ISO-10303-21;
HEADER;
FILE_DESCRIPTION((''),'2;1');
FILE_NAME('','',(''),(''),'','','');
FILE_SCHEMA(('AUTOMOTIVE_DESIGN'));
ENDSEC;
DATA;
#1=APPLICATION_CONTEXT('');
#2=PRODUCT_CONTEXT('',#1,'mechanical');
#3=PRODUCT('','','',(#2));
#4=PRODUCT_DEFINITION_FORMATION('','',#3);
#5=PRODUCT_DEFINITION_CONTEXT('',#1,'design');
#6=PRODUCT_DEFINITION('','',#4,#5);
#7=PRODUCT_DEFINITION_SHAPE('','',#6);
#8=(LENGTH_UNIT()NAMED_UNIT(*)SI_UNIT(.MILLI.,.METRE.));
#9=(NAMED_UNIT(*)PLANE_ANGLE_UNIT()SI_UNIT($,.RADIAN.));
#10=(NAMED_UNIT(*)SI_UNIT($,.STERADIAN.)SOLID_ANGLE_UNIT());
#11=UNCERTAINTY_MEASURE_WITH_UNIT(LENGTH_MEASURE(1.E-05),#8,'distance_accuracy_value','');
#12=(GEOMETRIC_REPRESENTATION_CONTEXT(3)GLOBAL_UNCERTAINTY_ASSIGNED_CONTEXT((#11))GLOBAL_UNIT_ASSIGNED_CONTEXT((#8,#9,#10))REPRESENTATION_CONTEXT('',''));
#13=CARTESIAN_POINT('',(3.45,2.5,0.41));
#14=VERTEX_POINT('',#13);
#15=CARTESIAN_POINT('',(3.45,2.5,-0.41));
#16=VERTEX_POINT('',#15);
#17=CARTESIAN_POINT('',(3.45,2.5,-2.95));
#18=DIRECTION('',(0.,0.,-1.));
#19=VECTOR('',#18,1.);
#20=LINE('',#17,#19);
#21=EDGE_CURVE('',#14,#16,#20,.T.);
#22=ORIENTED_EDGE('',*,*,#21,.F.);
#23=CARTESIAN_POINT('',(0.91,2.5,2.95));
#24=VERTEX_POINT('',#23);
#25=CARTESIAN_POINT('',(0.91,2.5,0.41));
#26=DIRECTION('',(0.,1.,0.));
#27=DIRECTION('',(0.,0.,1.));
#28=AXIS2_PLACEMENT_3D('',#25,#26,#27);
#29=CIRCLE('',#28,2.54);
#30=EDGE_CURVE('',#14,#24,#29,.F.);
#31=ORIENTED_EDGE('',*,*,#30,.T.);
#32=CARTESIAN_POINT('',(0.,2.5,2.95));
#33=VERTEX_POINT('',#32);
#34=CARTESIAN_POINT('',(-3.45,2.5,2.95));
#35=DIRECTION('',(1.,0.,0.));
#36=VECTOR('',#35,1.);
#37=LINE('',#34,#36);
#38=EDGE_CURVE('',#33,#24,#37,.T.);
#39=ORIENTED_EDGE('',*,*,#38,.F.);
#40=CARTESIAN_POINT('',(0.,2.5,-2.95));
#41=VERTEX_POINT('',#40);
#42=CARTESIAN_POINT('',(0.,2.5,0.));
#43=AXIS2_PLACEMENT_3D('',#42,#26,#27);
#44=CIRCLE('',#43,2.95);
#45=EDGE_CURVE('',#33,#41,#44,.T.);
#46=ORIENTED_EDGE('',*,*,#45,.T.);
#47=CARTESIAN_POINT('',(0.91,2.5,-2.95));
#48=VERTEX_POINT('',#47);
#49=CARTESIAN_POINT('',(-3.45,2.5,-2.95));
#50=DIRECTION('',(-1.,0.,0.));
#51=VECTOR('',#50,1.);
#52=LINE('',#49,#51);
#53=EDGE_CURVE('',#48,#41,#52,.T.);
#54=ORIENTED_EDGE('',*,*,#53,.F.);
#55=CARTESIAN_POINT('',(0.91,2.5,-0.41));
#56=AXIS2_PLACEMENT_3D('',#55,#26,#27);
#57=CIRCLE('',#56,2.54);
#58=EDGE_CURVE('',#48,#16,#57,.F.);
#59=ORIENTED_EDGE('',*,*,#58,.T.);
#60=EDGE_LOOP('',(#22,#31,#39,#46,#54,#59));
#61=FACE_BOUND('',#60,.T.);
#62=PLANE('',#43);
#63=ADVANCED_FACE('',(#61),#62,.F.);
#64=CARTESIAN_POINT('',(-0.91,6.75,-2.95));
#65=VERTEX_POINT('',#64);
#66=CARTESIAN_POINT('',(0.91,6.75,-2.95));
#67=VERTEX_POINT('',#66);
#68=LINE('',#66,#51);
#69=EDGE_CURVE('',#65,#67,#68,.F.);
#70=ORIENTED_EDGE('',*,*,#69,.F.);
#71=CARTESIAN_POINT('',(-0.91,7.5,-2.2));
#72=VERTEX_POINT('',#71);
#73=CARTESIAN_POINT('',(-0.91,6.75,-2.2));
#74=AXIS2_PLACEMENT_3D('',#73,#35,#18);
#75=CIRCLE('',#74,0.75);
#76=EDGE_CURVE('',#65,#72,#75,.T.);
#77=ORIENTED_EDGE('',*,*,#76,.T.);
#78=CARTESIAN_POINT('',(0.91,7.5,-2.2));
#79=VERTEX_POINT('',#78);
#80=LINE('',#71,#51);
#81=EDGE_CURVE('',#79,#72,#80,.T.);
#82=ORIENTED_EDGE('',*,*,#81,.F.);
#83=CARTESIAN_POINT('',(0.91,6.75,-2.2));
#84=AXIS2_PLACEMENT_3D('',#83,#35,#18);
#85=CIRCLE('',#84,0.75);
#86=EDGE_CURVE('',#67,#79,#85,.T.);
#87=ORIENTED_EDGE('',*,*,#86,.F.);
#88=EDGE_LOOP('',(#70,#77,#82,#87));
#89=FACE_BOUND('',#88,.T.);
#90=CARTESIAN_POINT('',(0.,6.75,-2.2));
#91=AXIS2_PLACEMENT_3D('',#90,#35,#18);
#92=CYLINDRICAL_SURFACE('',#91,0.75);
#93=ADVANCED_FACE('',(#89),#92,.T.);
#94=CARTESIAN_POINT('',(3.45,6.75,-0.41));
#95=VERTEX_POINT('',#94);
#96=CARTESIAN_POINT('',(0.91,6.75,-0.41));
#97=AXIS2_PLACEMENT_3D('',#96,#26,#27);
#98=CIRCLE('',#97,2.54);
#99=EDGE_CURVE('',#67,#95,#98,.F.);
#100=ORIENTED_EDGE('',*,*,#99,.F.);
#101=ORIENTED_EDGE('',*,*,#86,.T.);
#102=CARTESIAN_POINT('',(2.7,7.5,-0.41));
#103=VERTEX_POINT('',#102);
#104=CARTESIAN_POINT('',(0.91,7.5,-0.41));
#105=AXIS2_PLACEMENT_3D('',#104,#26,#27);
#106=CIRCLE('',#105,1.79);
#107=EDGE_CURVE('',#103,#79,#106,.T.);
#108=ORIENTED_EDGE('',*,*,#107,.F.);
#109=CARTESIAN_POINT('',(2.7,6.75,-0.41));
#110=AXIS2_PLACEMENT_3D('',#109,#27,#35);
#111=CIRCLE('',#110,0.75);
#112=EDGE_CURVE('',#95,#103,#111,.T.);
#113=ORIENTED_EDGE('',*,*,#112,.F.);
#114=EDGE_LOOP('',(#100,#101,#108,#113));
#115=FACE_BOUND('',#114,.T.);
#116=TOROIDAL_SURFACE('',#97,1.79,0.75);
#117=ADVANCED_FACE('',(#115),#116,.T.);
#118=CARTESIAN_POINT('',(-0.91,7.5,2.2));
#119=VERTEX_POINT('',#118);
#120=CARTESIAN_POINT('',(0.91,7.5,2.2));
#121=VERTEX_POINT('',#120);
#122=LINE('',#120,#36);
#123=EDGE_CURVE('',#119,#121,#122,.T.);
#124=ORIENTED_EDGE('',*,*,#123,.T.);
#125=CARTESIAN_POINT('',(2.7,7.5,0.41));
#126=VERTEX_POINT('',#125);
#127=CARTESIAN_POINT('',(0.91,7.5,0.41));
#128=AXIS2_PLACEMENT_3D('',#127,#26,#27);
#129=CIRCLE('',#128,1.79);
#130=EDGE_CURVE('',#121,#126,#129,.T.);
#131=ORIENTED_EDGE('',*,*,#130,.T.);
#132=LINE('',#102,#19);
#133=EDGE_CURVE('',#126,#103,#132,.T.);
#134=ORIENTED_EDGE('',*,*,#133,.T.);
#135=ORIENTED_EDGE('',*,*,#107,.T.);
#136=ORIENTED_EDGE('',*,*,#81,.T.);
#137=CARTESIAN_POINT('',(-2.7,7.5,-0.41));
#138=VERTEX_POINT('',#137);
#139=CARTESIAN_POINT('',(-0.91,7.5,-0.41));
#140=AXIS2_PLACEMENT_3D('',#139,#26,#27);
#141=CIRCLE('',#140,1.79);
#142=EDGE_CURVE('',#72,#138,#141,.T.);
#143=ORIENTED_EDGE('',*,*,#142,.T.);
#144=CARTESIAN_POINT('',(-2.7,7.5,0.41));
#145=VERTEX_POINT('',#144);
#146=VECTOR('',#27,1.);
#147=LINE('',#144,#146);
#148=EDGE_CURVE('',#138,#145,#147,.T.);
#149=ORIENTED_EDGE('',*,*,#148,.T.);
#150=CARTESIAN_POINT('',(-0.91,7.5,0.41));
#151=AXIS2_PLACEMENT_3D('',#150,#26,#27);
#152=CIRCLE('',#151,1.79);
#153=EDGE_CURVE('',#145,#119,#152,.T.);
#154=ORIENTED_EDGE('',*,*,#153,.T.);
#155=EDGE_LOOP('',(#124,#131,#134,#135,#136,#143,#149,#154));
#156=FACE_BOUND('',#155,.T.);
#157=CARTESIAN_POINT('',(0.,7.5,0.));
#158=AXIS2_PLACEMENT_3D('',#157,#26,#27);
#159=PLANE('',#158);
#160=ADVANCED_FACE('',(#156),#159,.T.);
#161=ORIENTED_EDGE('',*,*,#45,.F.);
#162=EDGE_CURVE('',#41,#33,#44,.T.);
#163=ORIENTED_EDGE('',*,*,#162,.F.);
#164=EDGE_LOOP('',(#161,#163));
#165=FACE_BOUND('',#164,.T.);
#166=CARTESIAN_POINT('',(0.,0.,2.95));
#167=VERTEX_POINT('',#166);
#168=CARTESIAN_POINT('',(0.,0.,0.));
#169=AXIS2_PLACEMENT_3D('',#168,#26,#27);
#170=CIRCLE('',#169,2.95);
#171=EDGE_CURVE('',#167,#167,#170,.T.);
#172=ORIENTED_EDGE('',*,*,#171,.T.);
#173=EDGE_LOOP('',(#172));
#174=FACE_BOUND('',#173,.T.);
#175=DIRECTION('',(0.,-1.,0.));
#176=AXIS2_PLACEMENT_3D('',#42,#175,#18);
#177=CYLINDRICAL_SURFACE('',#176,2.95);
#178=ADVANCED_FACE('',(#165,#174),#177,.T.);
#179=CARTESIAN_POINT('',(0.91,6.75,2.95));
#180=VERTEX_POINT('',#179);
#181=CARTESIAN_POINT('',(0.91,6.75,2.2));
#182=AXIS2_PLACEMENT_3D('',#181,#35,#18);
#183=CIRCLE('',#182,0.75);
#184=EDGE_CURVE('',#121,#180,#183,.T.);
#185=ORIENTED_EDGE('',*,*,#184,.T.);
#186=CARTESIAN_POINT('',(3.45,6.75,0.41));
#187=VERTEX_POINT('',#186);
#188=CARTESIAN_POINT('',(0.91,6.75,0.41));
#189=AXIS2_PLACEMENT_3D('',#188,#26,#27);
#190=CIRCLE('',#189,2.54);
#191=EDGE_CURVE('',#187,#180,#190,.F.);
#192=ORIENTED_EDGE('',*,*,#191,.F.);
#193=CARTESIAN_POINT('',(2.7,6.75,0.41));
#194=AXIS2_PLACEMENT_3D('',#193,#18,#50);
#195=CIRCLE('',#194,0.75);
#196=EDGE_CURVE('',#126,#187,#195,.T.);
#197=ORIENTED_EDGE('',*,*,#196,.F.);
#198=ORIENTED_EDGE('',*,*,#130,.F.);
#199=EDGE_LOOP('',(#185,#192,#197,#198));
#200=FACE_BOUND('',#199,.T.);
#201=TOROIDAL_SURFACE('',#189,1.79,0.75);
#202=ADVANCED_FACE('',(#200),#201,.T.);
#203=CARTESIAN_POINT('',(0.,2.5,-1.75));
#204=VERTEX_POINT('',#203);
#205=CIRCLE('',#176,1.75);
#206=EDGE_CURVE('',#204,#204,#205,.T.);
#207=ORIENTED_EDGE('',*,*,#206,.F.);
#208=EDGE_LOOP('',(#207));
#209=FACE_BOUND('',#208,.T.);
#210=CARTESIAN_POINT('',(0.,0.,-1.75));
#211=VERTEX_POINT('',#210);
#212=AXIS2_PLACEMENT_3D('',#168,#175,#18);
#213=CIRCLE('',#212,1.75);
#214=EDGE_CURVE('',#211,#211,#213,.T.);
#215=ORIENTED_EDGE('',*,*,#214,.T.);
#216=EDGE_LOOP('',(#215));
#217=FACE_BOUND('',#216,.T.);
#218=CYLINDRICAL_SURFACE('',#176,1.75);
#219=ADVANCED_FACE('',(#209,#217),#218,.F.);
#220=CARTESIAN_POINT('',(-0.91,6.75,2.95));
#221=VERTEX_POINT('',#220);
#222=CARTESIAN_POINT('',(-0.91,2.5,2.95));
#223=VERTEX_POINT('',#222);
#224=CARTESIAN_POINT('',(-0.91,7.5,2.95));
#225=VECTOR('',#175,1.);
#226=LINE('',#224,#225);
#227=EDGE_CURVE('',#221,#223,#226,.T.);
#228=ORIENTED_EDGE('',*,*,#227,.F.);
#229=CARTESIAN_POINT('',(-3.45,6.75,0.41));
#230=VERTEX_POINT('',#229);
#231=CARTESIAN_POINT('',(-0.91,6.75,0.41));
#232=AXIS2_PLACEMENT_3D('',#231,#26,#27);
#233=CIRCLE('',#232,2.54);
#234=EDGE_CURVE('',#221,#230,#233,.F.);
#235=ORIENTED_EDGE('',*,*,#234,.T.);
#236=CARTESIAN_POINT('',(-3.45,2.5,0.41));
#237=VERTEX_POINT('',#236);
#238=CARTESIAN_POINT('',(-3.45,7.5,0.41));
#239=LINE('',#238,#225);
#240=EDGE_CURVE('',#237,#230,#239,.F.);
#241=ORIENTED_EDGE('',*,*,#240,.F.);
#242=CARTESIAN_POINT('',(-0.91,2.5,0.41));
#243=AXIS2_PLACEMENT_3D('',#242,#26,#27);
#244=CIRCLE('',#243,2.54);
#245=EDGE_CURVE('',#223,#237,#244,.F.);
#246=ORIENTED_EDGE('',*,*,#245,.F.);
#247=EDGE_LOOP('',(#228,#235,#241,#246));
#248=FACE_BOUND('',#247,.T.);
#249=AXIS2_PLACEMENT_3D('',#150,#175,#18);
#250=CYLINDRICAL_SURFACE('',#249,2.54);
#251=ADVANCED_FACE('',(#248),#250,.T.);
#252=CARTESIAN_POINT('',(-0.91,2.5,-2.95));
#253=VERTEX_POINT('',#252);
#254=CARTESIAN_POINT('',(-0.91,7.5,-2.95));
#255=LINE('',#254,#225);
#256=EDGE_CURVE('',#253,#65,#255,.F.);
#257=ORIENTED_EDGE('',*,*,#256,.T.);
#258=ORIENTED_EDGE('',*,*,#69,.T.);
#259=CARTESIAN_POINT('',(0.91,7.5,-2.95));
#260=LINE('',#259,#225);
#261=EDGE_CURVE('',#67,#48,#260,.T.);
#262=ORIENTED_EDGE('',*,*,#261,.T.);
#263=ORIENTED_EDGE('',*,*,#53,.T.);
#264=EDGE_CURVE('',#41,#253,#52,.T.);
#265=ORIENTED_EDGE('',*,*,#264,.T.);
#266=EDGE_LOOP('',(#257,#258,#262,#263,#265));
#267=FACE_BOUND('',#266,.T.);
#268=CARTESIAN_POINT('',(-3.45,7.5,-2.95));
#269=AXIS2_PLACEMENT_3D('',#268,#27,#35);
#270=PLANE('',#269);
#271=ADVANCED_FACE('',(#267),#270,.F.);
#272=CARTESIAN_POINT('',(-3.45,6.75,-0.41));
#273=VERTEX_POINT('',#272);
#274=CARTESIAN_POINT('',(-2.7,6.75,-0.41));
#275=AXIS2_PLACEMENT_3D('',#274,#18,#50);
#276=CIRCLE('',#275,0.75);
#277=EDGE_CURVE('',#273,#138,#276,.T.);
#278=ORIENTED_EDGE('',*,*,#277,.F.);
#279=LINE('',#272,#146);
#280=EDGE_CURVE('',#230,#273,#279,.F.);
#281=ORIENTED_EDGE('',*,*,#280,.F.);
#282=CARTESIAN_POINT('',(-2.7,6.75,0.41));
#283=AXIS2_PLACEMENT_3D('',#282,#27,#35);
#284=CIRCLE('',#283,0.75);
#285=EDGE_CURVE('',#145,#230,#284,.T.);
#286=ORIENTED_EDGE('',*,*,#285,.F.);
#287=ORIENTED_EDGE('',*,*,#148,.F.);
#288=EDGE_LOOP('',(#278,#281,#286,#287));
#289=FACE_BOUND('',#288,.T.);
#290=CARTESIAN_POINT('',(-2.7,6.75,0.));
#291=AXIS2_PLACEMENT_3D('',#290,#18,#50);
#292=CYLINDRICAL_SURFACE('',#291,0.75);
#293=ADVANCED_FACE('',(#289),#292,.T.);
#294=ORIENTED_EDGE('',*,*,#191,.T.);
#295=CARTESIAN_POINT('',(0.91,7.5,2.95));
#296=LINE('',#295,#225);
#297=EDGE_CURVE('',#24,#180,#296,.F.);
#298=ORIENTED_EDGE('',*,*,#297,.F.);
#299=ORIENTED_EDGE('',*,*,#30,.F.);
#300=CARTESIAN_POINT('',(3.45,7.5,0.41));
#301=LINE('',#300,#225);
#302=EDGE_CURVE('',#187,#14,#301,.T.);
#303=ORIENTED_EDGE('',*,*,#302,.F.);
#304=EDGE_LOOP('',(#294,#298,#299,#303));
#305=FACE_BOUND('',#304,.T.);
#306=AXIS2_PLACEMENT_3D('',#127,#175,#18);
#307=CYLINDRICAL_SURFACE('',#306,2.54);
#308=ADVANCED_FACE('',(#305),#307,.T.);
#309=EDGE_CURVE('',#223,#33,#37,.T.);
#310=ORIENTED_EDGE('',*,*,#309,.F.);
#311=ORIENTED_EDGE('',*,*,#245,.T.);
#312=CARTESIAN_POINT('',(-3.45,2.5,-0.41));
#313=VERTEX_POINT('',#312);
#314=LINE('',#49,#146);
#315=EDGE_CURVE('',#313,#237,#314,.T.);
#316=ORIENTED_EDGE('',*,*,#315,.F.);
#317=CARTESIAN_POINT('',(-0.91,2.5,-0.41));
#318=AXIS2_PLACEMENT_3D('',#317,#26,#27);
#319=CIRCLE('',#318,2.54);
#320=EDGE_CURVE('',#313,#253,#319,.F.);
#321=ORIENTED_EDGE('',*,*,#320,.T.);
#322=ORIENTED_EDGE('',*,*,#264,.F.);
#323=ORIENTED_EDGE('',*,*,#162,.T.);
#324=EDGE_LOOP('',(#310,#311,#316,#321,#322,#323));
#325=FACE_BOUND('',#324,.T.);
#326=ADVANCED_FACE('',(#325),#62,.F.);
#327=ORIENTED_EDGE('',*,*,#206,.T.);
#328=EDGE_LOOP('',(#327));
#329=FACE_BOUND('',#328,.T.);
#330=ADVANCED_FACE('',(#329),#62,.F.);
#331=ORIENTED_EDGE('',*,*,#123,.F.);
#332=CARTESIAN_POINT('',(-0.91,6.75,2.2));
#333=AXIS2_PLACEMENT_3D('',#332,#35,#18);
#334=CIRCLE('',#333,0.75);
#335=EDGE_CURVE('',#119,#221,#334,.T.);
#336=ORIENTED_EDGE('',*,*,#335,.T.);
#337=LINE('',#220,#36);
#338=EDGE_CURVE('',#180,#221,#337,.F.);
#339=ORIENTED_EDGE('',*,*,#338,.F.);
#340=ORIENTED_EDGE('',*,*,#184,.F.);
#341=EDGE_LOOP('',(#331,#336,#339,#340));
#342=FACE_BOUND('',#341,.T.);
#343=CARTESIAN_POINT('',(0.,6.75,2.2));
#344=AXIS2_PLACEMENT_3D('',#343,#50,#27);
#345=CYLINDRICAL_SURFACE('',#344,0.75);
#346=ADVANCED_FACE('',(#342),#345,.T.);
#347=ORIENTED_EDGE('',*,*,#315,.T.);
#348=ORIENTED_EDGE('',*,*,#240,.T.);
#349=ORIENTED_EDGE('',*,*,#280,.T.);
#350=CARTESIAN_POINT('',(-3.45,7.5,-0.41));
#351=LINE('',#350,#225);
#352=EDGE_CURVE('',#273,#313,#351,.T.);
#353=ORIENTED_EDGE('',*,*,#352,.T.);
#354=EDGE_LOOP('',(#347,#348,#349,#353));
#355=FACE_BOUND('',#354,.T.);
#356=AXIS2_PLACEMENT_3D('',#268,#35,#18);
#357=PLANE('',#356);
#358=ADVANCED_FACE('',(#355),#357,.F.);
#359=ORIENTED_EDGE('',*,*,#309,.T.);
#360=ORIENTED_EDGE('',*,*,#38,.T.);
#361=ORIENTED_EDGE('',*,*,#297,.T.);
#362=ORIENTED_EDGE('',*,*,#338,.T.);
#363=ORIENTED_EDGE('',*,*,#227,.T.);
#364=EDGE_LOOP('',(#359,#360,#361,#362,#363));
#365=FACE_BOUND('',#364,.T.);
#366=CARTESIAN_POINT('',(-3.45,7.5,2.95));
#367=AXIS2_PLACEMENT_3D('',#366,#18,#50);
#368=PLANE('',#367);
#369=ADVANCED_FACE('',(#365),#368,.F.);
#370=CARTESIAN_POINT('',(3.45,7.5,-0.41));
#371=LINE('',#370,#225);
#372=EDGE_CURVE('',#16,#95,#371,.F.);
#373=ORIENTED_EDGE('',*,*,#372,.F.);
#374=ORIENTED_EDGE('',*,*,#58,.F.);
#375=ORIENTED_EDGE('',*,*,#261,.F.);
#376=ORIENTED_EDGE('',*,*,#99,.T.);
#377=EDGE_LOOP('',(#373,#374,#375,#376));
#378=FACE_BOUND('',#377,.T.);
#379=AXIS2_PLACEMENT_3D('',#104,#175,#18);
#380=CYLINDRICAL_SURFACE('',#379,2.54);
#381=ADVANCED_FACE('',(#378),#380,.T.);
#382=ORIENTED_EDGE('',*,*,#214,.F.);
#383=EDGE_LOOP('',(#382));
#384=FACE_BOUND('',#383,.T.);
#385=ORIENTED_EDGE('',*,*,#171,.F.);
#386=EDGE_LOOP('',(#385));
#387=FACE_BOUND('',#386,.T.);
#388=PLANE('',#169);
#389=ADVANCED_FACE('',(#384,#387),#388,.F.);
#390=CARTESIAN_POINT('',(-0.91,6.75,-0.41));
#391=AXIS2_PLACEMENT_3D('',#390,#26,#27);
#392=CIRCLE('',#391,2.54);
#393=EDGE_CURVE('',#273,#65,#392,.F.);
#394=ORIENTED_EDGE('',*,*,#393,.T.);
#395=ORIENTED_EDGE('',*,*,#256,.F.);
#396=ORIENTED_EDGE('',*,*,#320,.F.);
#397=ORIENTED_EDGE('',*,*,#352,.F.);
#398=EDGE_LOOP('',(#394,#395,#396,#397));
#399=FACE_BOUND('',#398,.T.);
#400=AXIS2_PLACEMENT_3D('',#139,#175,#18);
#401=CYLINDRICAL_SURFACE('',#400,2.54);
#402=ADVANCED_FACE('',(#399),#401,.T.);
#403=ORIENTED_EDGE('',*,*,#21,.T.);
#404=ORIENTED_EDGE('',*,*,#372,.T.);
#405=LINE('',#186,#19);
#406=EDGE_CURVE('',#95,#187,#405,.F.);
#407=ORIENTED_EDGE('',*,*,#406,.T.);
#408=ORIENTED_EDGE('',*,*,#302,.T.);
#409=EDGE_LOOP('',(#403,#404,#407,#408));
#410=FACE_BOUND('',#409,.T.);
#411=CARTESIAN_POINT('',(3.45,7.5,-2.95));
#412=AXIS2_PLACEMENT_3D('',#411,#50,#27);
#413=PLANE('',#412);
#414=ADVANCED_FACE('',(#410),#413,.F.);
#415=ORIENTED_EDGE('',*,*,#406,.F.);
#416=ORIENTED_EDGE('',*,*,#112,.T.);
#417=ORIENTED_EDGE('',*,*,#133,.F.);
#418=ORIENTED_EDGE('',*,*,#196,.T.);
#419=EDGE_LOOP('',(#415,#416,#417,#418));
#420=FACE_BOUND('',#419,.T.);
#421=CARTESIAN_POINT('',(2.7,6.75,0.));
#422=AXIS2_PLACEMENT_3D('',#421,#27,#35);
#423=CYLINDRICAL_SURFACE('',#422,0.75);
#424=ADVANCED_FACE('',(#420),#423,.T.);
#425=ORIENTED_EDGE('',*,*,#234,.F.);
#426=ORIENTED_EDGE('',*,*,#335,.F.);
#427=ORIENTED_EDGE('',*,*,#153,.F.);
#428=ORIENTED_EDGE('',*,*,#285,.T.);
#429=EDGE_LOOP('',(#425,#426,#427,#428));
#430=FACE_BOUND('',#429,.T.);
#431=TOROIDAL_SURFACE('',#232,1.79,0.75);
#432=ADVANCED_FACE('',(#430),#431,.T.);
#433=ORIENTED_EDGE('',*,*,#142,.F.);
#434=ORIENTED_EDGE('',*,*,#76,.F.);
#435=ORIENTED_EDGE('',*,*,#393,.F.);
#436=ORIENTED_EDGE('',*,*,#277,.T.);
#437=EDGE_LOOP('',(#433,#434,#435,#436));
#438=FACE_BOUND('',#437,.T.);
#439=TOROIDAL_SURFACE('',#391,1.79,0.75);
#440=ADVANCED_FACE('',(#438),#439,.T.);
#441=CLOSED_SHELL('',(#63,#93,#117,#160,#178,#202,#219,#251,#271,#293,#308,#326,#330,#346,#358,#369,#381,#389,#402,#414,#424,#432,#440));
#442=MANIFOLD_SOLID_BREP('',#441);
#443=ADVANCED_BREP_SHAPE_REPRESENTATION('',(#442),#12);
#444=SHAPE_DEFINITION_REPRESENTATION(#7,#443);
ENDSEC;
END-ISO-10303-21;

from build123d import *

# Parameters (mm, degrees)
SKETCH1_R           = 2.95
BOSS_EXTRUDE1_DEPTH = 2.5
SKETCH2_R           = 1.75
CUT_EXTRUDE1_DEPTH  = 2.5
SKETCH3_W           = 6.9
SKETCH3_H           = 5.9
BOSS_EXTRUDE2_DEPTH = 5
FILLET1_R           = 2.54
FILLET2_R           = 0.75


with BuildPart() as part:
    # Sketch1 → Boss-Extrude1 (new body)
    with BuildSketch(Plane(origin=(0, 0, 0), x_dir=(1, 0, 0), z_dir=(0, 1, 0))):
        Circle(SKETCH1_R)
    extrude(amount=BOSS_EXTRUDE1_DEPTH)

    # Sketch2 → Cut-Extrude1 (cut)
    with BuildSketch(Plane.XZ):
        Circle(SKETCH2_R)
    extrude(amount=-CUT_EXTRUDE1_DEPTH, mode=Mode.SUBTRACT)

    # Sketch3 → Boss-Extrude2 (add)
    with BuildSketch(Plane(origin=(0, 2.5, 0), x_dir=(1, 0, 0), z_dir=(0, 1, 0))):
        Rectangle(SKETCH3_W, SKETCH3_H)
    extrude(amount=BOSS_EXTRUDE2_DEPTH)

    # Fillet1
    fillet1_edges = [part.edges().sort_by_distance(p)[0] for p in [
        (3.45, 5, 2.95),
        (3.45, 5, -2.95),
        (-3.45, 5, -2.95),
        (-3.45, 5, 2.95),
    ]]
    fillet(fillet1_edges, radius=FILLET1_R)

    # Fillet2
    fillet2_edges = [part.edges().sort_by_distance(p)[0] for p in [
        (-3.45, 7.5, 0),
        (0, 7.5, -2.95),
        (3.45, 7.5, 0),
        (0, 7.5, 2.95),
        (-2.706051224, 7.5, 2.206051224),
        (2.706051224, 7.5, 2.206051224),
        (2.706051224, 7.5, -2.206051224),
        (-2.706051224, 7.5, -2.206051224),
    ]]
    fillet(fillet2_edges, radius=FILLET2_R)


solid = part.part
